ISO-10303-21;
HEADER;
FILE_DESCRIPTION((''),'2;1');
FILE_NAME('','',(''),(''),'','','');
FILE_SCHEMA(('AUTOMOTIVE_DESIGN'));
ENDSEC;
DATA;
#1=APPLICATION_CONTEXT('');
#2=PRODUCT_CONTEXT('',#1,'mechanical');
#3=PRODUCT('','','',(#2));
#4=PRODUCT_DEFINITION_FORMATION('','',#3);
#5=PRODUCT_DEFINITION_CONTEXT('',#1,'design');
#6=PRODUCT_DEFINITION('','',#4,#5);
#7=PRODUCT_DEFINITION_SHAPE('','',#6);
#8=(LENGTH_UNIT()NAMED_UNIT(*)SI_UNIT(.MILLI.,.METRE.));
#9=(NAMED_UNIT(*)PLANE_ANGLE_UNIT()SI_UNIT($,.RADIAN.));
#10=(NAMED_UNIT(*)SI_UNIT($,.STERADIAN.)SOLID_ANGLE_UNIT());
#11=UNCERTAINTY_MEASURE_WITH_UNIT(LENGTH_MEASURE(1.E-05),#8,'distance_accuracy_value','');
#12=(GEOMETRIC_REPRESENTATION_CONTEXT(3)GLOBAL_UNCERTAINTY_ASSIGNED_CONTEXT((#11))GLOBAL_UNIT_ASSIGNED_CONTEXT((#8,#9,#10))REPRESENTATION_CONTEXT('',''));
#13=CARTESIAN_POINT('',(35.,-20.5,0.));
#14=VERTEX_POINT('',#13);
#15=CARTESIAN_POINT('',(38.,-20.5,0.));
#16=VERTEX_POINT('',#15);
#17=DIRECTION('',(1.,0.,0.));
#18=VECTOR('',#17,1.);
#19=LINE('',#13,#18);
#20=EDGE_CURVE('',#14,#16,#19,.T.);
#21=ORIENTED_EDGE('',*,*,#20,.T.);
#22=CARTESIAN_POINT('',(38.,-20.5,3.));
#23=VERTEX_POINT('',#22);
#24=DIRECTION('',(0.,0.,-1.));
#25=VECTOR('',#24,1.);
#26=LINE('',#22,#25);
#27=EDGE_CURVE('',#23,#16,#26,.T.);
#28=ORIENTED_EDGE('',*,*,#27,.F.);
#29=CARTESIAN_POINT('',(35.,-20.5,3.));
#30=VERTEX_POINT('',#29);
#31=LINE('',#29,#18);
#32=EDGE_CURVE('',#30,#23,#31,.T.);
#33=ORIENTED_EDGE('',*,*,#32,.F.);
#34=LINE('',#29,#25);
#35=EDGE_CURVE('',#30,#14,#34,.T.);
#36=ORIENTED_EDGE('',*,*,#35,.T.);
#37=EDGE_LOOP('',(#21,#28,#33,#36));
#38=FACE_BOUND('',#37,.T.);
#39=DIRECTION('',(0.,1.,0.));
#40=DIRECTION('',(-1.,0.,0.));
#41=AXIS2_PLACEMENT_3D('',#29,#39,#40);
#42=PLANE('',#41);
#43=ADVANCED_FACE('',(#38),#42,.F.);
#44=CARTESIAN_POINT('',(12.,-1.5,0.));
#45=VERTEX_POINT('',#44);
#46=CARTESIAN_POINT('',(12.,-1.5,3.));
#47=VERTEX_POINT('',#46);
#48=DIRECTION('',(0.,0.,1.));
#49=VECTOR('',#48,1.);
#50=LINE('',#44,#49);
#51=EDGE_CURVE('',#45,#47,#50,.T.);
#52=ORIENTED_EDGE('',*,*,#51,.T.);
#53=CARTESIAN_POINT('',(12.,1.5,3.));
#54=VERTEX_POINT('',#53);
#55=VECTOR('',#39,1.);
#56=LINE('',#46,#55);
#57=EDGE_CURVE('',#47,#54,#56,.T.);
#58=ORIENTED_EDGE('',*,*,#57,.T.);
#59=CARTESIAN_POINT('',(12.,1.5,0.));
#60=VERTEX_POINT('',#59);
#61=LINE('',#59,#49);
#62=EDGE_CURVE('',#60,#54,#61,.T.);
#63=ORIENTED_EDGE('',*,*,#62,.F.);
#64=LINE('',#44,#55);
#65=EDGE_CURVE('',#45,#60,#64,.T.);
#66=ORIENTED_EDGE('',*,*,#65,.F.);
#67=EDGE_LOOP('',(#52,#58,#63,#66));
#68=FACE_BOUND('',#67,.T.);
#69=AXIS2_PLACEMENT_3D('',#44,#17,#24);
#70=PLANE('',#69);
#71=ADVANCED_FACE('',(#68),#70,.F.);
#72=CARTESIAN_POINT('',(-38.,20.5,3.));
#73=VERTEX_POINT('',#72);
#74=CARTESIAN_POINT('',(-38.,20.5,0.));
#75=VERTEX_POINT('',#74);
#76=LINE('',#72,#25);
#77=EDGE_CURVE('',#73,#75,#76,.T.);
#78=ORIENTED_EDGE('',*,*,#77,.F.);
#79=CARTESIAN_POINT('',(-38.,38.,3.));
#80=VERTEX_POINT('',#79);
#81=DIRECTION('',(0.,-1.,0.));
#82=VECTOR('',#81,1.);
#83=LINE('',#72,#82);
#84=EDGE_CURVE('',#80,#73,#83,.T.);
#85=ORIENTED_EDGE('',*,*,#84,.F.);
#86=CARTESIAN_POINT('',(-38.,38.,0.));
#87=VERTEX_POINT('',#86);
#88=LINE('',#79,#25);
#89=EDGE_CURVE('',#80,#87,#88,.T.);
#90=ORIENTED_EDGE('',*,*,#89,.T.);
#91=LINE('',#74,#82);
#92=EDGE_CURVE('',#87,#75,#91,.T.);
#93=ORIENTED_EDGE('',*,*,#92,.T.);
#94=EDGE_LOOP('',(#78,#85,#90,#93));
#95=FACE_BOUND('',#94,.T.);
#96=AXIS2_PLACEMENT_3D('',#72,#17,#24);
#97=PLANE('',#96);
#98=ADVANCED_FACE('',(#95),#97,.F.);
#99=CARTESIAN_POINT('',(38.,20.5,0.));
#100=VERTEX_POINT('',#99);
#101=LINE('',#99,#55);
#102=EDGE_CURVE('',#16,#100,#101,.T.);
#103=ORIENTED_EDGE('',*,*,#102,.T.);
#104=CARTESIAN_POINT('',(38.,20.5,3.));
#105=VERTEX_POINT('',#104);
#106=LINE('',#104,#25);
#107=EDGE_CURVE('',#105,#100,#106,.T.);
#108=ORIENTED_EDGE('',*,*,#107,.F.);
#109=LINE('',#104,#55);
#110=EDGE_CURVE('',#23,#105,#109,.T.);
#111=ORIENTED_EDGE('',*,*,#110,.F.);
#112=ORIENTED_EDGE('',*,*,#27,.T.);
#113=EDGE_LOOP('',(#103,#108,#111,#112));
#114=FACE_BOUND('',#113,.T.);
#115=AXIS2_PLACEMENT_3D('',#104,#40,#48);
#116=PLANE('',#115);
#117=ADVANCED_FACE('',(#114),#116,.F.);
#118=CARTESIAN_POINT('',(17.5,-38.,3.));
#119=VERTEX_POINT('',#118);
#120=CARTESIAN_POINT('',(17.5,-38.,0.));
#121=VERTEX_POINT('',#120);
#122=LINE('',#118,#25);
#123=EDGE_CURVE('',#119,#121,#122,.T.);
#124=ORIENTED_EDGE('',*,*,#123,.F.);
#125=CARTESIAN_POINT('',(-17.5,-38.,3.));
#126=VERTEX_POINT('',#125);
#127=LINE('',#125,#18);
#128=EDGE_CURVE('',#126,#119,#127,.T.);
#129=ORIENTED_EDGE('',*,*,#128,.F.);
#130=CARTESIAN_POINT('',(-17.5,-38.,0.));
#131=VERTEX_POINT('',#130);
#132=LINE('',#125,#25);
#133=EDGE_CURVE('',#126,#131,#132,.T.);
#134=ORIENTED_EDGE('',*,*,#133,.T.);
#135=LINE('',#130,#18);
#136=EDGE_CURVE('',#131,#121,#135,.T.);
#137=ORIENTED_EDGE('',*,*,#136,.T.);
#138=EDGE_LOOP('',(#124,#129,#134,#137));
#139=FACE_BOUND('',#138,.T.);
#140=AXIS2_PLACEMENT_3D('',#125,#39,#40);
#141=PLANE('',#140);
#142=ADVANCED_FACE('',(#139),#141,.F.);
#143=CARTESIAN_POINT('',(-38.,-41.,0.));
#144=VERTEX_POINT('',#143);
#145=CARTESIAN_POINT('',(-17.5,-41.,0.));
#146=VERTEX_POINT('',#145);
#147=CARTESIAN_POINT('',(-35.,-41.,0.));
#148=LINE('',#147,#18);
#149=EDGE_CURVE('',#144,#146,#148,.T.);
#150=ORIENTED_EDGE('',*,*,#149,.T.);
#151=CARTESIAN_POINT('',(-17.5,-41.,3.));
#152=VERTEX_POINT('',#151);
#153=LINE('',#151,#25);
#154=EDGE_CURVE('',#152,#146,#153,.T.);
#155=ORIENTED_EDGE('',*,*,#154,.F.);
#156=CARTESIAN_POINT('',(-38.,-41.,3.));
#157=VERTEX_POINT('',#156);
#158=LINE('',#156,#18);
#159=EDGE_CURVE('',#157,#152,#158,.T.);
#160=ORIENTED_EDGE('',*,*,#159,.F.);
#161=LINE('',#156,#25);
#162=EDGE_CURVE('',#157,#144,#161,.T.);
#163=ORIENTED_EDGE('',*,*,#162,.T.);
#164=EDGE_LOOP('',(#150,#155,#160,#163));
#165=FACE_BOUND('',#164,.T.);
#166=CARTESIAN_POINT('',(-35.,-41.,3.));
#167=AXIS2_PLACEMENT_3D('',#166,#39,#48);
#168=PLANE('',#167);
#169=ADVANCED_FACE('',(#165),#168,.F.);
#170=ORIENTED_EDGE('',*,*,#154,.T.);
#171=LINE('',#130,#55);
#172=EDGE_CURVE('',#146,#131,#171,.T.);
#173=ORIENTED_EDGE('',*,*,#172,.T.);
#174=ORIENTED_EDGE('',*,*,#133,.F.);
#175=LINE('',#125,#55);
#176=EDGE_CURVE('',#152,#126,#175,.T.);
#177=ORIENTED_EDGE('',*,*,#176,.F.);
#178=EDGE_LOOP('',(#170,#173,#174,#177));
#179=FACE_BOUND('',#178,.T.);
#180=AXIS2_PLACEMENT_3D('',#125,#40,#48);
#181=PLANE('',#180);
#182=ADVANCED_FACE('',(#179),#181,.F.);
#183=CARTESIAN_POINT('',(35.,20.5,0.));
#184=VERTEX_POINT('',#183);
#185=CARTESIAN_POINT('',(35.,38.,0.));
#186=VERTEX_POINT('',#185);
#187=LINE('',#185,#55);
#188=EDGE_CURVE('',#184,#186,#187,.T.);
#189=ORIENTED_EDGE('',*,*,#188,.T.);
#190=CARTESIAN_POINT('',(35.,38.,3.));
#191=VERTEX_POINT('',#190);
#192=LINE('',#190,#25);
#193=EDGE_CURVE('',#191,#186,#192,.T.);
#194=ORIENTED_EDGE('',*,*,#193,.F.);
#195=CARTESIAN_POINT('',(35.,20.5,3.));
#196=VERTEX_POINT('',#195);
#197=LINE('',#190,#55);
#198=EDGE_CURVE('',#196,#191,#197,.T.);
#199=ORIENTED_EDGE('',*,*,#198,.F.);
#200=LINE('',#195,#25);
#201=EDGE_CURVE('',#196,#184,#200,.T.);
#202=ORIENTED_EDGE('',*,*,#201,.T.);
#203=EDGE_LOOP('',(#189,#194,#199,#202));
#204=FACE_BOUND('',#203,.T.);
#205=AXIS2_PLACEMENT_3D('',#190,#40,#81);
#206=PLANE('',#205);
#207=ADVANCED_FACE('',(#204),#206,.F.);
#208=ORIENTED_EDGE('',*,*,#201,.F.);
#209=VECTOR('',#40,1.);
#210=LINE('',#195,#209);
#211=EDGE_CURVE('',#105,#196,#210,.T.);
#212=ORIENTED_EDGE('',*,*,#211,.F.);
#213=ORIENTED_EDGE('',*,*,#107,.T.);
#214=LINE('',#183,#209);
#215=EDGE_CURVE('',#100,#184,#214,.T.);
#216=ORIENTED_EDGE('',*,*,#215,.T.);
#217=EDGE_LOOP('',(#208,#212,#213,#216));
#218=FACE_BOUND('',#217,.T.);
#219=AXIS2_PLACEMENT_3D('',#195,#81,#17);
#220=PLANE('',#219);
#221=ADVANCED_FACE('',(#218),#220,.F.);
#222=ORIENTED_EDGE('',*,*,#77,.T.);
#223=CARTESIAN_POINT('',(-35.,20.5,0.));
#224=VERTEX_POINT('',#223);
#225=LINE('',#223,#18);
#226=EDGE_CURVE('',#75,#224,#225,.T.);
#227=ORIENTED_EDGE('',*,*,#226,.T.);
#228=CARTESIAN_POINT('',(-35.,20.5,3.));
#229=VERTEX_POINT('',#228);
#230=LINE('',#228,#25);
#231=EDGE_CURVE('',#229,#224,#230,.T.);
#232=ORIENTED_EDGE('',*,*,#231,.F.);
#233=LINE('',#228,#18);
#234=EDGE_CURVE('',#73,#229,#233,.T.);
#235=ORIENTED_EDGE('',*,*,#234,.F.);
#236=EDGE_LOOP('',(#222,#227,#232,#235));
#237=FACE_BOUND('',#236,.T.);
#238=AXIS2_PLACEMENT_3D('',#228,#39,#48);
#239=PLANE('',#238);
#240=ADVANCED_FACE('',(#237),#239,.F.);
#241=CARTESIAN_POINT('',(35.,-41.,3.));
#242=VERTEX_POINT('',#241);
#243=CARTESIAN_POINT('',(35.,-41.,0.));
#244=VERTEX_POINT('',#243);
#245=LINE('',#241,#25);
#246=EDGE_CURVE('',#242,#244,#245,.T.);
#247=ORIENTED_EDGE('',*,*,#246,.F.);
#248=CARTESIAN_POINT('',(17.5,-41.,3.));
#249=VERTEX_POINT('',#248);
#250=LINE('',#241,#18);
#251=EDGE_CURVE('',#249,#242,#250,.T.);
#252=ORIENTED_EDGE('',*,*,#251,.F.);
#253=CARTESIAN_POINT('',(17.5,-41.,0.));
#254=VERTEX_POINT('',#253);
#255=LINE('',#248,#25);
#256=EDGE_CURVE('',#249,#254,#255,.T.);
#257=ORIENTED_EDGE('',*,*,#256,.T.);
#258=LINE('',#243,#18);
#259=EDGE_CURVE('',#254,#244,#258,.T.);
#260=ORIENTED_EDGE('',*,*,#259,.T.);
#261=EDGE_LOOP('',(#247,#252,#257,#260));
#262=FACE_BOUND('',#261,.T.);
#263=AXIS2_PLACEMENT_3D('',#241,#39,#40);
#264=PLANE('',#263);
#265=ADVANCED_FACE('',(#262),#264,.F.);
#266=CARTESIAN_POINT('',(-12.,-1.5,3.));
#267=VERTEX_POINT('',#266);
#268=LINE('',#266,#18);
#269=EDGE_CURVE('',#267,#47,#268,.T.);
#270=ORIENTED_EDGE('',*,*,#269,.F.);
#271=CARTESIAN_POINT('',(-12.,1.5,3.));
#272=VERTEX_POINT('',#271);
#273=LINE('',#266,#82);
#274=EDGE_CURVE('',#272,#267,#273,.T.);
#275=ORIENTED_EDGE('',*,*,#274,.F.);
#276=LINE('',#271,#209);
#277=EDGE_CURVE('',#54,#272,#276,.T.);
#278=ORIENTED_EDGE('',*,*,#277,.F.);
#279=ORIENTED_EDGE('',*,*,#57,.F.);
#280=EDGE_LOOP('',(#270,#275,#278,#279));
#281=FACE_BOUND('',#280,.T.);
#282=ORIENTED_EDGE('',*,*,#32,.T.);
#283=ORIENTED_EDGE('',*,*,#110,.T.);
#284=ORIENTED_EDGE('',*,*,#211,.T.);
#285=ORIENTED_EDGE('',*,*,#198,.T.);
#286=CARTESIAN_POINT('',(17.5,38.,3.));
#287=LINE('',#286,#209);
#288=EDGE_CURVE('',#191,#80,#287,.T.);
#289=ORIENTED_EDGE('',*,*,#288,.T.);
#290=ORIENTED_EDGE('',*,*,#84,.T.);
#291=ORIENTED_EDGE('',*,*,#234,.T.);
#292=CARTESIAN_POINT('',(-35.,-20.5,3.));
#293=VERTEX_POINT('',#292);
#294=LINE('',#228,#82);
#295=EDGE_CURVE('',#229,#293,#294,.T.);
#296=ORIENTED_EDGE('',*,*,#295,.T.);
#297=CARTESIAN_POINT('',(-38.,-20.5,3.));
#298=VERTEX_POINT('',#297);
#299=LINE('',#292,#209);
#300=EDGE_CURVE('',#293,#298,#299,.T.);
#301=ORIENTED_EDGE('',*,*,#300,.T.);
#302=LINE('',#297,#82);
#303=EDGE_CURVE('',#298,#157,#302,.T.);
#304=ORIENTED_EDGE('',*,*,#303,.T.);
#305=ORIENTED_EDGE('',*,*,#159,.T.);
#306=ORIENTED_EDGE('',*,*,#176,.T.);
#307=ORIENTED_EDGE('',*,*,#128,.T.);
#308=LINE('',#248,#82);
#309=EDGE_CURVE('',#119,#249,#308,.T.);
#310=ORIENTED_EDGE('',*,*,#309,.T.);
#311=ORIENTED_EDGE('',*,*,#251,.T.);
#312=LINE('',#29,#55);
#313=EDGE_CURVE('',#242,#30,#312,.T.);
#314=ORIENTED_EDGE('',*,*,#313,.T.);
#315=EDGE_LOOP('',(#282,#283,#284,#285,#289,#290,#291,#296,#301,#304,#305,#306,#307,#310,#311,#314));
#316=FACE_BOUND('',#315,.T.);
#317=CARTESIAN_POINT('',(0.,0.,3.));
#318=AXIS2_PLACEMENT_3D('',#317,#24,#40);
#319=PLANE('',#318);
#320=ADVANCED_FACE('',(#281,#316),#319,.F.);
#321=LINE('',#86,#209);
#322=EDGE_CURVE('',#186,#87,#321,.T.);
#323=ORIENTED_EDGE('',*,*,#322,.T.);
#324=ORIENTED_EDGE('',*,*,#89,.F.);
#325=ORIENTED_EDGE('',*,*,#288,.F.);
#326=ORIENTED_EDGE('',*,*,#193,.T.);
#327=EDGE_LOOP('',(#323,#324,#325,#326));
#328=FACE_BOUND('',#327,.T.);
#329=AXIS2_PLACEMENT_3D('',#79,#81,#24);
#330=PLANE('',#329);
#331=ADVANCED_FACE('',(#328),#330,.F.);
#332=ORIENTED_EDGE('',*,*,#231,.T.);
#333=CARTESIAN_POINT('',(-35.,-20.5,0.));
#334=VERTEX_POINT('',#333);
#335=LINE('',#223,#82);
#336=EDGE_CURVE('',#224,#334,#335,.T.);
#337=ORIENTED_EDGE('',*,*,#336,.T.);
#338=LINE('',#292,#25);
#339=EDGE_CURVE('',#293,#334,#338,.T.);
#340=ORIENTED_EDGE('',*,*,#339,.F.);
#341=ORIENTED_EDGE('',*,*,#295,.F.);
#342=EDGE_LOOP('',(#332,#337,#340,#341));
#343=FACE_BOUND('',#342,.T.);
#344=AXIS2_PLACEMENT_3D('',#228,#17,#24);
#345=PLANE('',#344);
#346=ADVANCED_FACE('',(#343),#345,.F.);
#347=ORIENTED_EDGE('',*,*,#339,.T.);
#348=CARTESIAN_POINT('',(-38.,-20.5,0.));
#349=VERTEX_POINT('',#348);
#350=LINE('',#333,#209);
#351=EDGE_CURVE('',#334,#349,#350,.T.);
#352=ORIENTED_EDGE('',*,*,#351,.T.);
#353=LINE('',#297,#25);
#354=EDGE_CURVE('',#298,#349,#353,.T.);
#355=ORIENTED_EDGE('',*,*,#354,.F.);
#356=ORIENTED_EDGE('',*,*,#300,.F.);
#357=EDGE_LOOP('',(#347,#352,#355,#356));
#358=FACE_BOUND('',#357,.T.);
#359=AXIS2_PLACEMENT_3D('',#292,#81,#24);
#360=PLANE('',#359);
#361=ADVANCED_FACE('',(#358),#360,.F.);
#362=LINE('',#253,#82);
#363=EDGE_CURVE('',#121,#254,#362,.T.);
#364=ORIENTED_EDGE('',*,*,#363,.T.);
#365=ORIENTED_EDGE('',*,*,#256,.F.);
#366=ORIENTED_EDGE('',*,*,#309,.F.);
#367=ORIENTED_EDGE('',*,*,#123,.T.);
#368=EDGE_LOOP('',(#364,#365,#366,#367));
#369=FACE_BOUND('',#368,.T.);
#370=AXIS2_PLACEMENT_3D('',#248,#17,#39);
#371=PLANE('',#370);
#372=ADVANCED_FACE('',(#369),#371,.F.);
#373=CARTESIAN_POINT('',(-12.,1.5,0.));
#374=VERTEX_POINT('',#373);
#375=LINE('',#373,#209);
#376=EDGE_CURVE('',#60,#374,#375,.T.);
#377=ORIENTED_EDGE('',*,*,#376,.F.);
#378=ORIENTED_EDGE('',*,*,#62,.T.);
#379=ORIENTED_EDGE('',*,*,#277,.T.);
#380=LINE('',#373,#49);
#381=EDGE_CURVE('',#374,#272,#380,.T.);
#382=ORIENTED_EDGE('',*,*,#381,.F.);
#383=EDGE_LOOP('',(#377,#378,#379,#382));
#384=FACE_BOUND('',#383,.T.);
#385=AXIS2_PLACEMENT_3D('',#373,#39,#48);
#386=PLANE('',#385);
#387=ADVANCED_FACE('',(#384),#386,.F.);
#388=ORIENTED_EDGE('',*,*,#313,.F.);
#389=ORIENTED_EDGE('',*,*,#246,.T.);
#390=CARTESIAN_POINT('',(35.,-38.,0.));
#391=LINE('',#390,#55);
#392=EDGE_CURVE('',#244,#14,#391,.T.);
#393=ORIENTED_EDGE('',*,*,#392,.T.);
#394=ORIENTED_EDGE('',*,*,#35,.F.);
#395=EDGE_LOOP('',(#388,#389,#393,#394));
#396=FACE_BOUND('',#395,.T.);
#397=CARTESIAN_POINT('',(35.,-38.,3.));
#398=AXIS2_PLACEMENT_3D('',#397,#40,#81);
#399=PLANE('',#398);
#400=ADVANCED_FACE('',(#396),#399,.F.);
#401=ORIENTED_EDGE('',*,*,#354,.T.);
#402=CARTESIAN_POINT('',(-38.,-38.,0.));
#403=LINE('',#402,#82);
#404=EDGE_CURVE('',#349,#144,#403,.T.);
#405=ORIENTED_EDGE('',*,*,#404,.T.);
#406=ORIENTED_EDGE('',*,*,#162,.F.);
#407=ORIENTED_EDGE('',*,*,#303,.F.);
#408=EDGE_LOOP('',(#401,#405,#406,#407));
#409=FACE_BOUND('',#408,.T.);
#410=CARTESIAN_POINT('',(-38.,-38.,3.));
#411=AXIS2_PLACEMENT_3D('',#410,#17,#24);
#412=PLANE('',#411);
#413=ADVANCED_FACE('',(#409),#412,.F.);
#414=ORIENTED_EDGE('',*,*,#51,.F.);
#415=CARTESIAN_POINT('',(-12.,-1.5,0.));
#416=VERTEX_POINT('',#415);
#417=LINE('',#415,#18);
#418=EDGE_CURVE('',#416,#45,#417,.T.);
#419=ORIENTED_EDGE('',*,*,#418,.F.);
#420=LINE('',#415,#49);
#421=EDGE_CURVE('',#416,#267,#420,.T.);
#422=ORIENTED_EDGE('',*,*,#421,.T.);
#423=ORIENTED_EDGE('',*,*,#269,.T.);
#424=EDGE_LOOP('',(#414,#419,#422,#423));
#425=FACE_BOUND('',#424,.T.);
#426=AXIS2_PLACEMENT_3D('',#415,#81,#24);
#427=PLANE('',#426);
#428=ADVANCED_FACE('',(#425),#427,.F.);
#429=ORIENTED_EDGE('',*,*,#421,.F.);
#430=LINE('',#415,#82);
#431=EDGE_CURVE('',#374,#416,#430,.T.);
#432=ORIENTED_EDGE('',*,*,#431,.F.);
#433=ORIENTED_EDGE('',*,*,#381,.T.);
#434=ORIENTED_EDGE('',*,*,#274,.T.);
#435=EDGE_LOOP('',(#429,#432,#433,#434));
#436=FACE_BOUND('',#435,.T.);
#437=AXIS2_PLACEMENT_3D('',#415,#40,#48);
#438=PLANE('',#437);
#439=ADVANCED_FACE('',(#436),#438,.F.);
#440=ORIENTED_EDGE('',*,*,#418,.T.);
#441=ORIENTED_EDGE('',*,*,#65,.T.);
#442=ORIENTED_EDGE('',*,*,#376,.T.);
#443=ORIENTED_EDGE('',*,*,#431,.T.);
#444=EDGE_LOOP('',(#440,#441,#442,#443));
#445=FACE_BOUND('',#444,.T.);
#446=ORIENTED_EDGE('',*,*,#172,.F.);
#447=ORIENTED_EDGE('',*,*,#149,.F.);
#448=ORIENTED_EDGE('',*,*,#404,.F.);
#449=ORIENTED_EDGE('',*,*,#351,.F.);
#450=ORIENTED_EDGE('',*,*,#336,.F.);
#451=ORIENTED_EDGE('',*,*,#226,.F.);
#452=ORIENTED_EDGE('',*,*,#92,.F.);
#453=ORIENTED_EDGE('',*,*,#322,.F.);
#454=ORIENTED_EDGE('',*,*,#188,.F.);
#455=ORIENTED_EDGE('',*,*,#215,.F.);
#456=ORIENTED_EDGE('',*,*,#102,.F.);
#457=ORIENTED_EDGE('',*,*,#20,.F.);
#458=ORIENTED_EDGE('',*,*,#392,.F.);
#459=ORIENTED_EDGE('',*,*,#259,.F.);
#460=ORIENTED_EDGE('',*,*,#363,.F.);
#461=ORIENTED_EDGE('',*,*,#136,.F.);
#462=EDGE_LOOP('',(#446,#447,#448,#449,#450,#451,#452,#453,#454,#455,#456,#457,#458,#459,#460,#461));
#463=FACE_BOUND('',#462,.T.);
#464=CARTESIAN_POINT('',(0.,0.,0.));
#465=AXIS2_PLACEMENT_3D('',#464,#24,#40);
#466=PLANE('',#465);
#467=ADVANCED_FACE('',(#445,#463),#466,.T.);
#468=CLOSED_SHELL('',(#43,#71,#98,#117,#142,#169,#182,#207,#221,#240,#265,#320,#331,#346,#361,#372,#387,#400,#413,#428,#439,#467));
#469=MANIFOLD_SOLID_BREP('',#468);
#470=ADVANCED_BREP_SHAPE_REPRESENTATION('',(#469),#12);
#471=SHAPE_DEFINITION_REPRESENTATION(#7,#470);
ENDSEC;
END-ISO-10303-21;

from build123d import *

# Parameters (mm, degrees)
BOSS_EXTRUDE1_DEPTH = 3
SKETCH2_W           = 24
SKETCH2_H           = 3
CUT_EXTRUDE1_DEPTH  = 3


with BuildPart() as part:
    # Sketch1 → Boss-Extrude1 (new body)
    with BuildSketch(Plane.XY):
        Polygon((-35, 38), (-17.5, 38), (17.5, 38), (35, 38), (35, 20.5), (38, 20.5), (38, -20.5), (35, -20.5), (35, -38), (35, -41), (17.5, -41), (17.5, -38), (-17.5, -38), (-17.5, -41), (-35, -41), (-38, -41), (-38, -38), (-38, -20.5), (-35, -20.5), (-35, 20.5), (-38, 20.5), (-38, 38), align=None)
    extrude(amount=BOSS_EXTRUDE1_DEPTH)

    # Sketch2 → Cut-Extrude1 (cut)
    with BuildSketch(Plane.XY.offset(3)):
        Rectangle(SKETCH2_W, SKETCH2_H)
    extrude(amount=-CUT_EXTRUDE1_DEPTH, mode=Mode.SUBTRACT)


solid = part.part
